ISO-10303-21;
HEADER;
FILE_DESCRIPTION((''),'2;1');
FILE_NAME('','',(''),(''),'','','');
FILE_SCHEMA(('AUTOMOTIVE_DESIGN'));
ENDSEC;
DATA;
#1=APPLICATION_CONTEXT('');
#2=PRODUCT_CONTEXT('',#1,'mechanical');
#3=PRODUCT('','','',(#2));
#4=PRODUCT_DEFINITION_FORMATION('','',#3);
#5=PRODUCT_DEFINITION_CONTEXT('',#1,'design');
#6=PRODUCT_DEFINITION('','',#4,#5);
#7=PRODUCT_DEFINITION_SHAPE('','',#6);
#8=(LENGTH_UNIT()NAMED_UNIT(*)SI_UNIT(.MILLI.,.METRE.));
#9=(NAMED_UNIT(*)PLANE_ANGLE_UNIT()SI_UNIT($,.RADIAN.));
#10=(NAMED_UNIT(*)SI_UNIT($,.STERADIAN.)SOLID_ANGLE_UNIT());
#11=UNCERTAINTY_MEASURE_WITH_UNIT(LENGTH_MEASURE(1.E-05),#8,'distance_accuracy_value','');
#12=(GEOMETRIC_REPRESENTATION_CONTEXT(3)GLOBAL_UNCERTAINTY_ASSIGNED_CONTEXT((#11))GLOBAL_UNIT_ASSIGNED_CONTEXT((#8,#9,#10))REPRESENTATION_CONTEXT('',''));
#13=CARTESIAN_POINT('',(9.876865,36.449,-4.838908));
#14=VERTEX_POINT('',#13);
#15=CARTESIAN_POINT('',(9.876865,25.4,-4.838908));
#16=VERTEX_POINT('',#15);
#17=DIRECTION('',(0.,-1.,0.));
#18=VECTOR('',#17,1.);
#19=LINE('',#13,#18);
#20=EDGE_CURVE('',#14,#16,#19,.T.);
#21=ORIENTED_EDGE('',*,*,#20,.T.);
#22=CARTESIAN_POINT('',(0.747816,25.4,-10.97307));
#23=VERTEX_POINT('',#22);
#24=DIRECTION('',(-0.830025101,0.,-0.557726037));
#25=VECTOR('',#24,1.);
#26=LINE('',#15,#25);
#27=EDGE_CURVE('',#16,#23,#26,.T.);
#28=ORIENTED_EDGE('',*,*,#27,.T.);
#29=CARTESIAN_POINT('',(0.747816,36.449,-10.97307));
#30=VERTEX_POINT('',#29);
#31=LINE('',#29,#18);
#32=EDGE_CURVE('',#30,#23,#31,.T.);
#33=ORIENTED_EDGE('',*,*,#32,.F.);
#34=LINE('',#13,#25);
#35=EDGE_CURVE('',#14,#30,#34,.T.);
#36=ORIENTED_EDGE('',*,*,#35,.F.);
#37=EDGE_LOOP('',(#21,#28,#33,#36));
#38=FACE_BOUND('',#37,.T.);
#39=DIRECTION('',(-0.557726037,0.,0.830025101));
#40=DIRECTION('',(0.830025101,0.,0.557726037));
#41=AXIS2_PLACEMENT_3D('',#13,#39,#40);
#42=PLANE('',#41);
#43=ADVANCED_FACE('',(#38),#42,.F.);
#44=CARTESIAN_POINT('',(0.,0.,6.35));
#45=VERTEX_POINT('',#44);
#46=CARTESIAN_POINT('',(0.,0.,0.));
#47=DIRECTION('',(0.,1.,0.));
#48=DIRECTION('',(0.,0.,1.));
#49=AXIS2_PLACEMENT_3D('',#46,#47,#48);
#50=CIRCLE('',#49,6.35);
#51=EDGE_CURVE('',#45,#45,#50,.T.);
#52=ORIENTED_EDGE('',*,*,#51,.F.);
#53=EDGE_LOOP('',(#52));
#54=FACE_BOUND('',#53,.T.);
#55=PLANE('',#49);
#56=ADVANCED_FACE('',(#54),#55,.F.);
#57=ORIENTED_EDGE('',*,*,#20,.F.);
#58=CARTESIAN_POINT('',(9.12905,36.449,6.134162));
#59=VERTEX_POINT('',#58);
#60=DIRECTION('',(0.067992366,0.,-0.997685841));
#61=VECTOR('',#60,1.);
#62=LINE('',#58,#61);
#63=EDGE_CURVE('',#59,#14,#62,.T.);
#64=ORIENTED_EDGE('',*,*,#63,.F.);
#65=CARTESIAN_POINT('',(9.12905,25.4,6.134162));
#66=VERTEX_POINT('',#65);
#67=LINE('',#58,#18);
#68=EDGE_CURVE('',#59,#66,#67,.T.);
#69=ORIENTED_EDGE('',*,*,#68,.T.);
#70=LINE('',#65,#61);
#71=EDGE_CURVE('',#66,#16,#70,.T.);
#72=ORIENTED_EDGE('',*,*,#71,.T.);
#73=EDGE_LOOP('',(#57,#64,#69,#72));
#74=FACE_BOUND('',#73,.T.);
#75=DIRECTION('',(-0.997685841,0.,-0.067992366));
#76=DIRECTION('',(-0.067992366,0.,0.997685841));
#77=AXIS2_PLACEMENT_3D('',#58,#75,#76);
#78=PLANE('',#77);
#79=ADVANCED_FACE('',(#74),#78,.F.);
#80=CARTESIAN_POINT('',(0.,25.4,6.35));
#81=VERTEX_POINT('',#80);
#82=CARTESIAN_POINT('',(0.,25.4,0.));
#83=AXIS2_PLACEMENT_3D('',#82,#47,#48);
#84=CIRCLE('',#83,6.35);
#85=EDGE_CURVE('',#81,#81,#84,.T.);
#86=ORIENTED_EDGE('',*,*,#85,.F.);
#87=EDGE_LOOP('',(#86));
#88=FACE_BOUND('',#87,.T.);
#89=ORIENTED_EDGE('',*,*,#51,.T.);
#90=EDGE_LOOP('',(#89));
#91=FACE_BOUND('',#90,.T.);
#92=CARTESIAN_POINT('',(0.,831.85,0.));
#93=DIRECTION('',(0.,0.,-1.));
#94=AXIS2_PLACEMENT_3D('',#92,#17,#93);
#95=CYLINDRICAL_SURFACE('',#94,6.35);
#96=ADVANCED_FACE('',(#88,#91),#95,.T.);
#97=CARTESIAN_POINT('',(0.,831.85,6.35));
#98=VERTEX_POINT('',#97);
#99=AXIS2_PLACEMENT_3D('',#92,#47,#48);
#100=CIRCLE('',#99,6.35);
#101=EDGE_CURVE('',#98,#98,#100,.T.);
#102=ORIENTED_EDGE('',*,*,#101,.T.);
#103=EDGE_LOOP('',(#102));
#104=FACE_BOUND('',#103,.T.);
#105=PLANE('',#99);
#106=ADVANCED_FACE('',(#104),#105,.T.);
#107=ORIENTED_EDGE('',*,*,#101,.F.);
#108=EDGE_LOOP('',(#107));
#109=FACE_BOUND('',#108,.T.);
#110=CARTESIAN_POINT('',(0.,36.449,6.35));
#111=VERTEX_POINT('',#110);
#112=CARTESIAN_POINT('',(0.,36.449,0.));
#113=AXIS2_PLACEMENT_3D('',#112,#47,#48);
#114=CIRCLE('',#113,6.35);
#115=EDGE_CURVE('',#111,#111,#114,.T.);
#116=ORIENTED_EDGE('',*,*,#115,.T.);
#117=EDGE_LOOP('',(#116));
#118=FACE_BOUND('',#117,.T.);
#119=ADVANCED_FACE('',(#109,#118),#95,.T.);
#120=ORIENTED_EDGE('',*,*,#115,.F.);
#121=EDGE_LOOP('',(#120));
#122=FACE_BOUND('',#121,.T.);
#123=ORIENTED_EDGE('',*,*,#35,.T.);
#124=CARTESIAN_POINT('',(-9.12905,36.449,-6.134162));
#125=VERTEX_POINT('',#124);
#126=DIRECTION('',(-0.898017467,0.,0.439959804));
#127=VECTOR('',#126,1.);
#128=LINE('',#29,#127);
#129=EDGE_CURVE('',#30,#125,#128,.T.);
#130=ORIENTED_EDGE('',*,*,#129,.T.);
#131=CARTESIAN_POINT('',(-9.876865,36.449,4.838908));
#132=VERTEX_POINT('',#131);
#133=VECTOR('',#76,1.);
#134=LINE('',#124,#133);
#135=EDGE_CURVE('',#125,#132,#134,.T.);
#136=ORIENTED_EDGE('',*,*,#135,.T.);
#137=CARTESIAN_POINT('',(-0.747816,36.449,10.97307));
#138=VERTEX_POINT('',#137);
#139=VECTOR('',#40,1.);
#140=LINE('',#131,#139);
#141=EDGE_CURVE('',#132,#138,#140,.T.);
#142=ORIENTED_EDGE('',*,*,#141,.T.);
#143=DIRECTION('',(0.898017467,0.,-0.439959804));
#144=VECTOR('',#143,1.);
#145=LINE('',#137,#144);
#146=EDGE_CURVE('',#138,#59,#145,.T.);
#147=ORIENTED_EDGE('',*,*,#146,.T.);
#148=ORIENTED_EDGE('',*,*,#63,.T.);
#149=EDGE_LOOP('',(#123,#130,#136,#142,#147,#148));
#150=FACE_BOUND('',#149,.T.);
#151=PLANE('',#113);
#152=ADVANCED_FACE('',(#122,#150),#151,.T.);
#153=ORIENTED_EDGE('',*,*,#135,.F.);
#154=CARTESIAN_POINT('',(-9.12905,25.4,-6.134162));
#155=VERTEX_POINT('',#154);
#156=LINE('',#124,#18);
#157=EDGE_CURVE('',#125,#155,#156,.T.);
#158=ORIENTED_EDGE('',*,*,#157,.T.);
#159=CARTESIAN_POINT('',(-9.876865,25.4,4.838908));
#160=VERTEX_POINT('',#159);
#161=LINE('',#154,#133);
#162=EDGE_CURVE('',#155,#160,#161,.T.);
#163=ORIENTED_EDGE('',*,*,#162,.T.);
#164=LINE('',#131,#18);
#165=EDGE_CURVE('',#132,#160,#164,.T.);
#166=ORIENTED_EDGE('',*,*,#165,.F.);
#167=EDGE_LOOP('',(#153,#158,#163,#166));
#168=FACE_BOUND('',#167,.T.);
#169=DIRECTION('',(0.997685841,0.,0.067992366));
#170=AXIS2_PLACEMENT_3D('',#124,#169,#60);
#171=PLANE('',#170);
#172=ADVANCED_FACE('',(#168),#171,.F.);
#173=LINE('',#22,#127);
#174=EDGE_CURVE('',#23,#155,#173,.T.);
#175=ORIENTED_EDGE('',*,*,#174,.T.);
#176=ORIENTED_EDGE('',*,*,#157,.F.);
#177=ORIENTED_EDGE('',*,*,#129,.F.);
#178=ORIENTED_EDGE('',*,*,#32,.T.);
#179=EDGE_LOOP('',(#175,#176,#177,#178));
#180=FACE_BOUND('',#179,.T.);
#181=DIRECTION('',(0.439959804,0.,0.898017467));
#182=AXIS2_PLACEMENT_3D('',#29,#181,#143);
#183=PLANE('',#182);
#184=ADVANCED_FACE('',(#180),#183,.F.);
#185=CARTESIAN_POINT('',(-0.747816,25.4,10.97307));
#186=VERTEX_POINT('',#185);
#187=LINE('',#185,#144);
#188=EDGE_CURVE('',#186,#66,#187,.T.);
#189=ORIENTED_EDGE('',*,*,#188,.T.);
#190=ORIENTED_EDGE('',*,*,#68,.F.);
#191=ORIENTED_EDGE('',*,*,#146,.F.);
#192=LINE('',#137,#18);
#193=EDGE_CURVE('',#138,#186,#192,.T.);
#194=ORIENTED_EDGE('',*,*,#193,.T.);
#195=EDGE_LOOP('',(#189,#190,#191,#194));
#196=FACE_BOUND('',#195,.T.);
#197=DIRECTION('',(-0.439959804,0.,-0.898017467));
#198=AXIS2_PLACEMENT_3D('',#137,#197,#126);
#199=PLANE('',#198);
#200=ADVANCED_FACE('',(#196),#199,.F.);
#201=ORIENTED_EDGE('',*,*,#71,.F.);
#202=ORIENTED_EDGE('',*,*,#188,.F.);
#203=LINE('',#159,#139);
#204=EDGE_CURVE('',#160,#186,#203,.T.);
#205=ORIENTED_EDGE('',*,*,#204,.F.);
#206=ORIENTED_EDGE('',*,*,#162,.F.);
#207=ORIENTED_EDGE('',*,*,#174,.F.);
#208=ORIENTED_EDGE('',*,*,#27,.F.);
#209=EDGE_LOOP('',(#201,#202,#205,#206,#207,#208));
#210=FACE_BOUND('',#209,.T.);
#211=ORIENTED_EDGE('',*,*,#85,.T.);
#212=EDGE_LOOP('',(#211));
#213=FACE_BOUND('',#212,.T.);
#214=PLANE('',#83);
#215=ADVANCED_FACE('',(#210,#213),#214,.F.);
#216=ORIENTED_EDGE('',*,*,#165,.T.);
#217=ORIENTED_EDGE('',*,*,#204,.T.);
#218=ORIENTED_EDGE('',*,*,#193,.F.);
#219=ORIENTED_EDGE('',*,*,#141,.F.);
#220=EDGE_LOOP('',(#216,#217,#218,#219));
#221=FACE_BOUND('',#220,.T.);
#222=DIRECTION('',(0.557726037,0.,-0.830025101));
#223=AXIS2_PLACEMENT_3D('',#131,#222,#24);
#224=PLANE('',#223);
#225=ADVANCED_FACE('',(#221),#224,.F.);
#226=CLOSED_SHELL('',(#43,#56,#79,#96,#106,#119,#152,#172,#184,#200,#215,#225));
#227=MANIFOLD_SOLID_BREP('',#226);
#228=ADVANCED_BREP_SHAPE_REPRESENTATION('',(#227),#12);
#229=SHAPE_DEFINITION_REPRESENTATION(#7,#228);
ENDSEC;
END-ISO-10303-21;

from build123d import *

# Parameters (mm, degrees)
SKETCH1_R           = 6.35
BOSS_EXTRUDE1_DEPTH = 831.85
BOSS_EXTRUDE2_START = 25.4
BOSS_EXTRUDE2_DEPTH = 11.049


with BuildPart() as part:
    # Sketch1 → Boss-Extrude1 (new body)
    with BuildSketch(Plane(origin=(0, 0, 0), x_dir=(1, 0, 0), z_dir=(0, 1, 0))):
        Circle(SKETCH1_R)
    extrude(amount=BOSS_EXTRUDE1_DEPTH)

    # Sketch3 → Boss-Extrude2 (add)
    with BuildSketch(Plane(origin=(0, 0, 0), x_dir=(1, 0, 0), z_dir=(0, 1, 0)).offset(BOSS_EXTRUDE2_START)):
        Polygon((9.876865428, 4.838907863), (0.747815578, 10.973070302), (-9.129049851, 6.134162439), (-9.876865428, -4.838907863), (-0.747815578, -10.973070302), (9.129049851, -6.134162439), align=None)
    extrude(amount=BOSS_EXTRUDE2_DEPTH)


solid = part.part
